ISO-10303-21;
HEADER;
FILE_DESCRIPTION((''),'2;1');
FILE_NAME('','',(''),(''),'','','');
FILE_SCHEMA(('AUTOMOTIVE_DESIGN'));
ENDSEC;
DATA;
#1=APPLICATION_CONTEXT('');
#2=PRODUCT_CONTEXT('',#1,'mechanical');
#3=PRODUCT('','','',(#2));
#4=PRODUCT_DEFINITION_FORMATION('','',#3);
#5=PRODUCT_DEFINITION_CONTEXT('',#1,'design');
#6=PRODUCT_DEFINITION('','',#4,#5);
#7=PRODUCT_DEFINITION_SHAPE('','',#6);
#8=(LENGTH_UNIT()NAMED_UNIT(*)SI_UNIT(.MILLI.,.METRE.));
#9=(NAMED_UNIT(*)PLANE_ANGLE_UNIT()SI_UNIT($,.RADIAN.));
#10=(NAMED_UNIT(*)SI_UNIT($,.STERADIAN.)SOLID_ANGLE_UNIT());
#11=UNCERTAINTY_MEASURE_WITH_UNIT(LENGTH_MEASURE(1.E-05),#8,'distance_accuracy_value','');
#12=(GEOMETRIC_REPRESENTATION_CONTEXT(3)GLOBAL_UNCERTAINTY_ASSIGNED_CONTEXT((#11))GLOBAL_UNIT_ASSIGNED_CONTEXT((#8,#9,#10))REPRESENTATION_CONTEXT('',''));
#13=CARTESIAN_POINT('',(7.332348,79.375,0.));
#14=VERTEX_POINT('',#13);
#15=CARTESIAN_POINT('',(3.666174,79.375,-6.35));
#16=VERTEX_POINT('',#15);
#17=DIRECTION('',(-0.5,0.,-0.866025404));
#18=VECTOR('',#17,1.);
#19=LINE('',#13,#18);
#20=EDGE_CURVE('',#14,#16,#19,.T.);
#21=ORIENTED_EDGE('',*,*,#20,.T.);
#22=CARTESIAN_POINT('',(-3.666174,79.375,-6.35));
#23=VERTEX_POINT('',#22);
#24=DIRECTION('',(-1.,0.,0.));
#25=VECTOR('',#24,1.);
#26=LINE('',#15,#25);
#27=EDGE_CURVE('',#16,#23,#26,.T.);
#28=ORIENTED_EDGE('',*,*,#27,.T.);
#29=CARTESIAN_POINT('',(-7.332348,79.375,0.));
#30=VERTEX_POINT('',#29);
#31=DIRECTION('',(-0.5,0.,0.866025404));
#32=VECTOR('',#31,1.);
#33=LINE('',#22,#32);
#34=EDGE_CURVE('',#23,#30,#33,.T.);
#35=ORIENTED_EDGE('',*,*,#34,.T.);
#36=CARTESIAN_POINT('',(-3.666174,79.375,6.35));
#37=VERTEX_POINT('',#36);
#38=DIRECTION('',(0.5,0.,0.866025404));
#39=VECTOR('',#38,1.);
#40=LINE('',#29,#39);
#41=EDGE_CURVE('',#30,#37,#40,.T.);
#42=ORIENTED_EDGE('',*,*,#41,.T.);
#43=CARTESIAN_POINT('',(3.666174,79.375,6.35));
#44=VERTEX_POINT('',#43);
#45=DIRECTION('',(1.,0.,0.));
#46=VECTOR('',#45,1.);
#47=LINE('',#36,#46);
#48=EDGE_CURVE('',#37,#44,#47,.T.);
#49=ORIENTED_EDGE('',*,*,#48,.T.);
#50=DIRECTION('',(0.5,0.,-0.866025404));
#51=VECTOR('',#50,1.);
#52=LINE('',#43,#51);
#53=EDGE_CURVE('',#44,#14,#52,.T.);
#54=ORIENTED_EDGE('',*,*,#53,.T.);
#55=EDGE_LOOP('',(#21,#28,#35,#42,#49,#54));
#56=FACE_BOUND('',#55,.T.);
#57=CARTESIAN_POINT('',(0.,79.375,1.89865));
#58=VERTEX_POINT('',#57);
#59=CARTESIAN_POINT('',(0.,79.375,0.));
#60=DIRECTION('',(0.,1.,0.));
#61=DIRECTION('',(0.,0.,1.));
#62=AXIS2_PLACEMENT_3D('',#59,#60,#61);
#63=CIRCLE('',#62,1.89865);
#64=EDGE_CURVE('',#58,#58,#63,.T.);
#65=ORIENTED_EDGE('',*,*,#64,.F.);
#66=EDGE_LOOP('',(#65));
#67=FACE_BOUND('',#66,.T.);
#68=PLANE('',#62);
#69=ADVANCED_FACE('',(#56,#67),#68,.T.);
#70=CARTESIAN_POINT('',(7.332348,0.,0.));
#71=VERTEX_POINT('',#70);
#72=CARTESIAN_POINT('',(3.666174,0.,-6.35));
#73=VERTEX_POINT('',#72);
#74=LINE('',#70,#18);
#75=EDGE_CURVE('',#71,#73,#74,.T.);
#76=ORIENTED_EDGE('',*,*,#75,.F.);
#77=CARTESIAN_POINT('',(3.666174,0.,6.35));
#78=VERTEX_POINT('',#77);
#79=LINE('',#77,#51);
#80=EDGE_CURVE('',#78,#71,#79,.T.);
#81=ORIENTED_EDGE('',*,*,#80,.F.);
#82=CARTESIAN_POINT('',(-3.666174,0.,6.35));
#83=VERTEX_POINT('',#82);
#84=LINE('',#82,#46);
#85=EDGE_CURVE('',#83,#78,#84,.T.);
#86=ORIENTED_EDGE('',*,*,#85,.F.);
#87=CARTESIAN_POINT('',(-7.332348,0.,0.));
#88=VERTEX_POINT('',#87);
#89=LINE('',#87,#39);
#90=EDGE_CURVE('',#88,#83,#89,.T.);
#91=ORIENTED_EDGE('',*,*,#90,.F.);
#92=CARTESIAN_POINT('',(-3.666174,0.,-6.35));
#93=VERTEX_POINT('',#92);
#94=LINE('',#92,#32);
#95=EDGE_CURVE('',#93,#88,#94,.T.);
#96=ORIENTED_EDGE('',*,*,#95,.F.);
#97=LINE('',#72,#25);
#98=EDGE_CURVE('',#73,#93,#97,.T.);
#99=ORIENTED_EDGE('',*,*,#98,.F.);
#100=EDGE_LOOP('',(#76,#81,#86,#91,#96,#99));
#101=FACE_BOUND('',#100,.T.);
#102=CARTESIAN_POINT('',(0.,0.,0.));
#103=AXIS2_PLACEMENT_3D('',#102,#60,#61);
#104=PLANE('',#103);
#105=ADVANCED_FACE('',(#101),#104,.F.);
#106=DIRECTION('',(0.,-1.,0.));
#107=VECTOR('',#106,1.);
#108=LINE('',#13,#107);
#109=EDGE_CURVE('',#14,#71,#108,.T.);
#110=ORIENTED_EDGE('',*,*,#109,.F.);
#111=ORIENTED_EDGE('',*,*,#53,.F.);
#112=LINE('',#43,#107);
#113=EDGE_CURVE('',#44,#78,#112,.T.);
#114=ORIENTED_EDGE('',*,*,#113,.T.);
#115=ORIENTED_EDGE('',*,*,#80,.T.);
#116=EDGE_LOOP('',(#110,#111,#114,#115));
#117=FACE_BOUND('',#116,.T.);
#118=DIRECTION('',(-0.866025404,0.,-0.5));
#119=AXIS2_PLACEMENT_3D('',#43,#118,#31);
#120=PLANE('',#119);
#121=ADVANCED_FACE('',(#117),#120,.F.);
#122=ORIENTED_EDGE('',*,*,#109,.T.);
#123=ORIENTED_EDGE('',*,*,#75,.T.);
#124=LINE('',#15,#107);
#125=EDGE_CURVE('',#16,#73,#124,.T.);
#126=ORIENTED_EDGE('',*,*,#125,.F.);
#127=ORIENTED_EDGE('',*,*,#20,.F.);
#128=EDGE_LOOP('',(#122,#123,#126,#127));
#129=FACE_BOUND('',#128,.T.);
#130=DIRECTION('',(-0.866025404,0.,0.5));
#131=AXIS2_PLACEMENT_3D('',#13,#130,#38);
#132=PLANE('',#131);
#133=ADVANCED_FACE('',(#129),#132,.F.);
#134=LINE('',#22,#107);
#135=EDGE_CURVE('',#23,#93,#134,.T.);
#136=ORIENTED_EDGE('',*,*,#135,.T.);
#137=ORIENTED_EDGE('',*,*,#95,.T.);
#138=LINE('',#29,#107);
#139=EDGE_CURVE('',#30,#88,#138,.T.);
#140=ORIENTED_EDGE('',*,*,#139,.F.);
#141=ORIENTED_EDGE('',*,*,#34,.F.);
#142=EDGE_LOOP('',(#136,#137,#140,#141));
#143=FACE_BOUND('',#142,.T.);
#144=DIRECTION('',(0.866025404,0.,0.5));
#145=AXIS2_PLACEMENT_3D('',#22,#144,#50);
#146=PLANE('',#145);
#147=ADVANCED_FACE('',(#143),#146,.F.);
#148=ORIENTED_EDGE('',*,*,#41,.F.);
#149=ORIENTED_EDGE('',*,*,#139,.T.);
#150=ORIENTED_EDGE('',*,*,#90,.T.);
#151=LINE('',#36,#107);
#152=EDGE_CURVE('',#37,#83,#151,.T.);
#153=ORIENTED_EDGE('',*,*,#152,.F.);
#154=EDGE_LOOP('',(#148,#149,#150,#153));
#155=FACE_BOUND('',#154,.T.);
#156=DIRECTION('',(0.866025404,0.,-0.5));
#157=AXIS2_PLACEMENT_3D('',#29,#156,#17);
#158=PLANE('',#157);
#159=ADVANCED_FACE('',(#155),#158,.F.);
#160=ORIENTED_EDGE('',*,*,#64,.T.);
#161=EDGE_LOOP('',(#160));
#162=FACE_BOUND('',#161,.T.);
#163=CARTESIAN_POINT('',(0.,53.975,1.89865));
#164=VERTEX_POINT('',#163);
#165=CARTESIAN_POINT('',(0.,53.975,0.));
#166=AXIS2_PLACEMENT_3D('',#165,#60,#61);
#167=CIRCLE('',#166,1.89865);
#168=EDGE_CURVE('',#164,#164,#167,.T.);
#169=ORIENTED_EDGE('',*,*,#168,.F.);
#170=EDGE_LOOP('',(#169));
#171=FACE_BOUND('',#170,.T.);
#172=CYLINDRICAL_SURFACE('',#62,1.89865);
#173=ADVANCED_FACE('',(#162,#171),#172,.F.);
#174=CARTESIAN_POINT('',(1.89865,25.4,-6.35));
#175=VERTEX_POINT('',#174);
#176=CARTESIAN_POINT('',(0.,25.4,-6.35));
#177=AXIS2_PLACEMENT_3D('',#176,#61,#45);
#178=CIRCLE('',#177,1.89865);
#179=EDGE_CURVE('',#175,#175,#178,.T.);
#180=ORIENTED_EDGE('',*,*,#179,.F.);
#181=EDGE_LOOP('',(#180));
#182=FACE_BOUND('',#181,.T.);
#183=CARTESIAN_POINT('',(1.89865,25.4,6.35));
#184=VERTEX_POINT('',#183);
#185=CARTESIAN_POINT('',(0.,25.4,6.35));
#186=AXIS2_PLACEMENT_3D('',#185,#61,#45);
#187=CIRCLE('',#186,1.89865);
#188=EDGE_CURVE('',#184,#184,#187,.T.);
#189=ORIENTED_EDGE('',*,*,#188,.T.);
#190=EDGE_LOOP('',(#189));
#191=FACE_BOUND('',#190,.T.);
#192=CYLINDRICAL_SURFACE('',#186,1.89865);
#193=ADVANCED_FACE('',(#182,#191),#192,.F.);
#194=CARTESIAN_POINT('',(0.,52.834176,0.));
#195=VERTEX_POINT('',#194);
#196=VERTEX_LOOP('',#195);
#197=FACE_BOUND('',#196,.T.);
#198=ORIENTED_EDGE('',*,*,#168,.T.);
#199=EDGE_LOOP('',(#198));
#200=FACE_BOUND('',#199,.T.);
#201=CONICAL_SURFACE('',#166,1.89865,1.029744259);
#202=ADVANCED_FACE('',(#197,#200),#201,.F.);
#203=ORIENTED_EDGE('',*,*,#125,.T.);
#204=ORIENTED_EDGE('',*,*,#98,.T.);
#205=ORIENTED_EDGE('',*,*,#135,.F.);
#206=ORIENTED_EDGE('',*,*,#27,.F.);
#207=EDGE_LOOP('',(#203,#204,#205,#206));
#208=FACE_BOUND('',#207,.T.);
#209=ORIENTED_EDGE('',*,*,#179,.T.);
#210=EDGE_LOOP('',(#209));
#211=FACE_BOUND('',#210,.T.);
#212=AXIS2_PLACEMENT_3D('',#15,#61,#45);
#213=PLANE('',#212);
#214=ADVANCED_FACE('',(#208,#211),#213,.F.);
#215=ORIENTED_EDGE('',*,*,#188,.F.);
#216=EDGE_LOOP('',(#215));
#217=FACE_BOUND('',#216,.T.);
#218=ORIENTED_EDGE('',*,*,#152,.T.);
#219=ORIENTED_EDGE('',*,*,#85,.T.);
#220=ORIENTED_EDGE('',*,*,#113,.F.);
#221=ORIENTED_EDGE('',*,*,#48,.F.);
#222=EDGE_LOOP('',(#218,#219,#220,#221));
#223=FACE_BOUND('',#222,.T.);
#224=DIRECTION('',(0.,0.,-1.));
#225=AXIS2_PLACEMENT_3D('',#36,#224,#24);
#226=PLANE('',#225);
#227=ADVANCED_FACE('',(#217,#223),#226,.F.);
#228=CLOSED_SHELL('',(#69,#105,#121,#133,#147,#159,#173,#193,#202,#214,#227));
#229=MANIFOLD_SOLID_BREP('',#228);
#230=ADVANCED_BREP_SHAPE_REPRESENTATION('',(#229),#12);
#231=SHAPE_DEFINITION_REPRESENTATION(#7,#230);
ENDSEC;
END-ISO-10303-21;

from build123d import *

# Parameters (mm, degrees)
BOSS_EXTRUDE1_DEPTH            = 79.375
TAP_DRILL_FOR_10_24_TAP1_D     = 3.7973
TAP_DRILL_FOR_10_24_TAP1_DEPTH = 25.4
TAP_DRILL_FOR_10_24_TAP1_TIP   = 1.140824014
TAP_DRILL_FOR_10_24_TAP2_D     = 3.7973
TAP_DRILL_FOR_10_24_TAP2_DEPTH = 25.4
TAP_DRILL_FOR_10_24_TAP2_TIP   = 1.140824014


with BuildPart() as part:
    # Sketch1 → Boss-Extrude1 (new body)
    with BuildSketch(Plane(origin=(0, 0, 0), x_dir=(1, 0, 0), z_dir=(0, 1, 0))):
        Polygon((7.332348419, 0), (3.666174209, 6.35), (-3.666174209, 6.35), (-7.332348419, 0), (-3.666174209, -6.35), (3.666174209, -6.35), align=None)
    extrude(amount=BOSS_EXTRUDE1_DEPTH)

    # Tap Drill for #10-24 Tap1
    with Locations(Plane(origin=(0, 79.375, 0), x_dir=(1, 0, 0), z_dir=(0, 1, 0))):
        with Locations((0, 0)):
            Hole(TAP_DRILL_FOR_10_24_TAP1_D / 2, depth=TAP_DRILL_FOR_10_24_TAP1_DEPTH)
            with Locations((0, 0, -(TAP_DRILL_FOR_10_24_TAP1_DEPTH + TAP_DRILL_FOR_10_24_TAP1_TIP / 2))):  # 118° drill point
                Cone(0, TAP_DRILL_FOR_10_24_TAP1_D / 2, TAP_DRILL_FOR_10_24_TAP1_TIP, mode=Mode.SUBTRACT)

    # Tap Drill for #10-24 Tap2
    with Locations(Plane.XY.offset(6.35)):
        with Locations((0, 25.4)):
            Hole(TAP_DRILL_FOR_10_24_TAP2_D / 2, depth=TAP_DRILL_FOR_10_24_TAP2_DEPTH)
            with Locations((0, 0, -(TAP_DRILL_FOR_10_24_TAP2_DEPTH + TAP_DRILL_FOR_10_24_TAP2_TIP / 2))):  # 118° drill point
                Cone(0, TAP_DRILL_FOR_10_24_TAP2_D / 2, TAP_DRILL_FOR_10_24_TAP2_TIP, mode=Mode.SUBTRACT)


solid = part.part
